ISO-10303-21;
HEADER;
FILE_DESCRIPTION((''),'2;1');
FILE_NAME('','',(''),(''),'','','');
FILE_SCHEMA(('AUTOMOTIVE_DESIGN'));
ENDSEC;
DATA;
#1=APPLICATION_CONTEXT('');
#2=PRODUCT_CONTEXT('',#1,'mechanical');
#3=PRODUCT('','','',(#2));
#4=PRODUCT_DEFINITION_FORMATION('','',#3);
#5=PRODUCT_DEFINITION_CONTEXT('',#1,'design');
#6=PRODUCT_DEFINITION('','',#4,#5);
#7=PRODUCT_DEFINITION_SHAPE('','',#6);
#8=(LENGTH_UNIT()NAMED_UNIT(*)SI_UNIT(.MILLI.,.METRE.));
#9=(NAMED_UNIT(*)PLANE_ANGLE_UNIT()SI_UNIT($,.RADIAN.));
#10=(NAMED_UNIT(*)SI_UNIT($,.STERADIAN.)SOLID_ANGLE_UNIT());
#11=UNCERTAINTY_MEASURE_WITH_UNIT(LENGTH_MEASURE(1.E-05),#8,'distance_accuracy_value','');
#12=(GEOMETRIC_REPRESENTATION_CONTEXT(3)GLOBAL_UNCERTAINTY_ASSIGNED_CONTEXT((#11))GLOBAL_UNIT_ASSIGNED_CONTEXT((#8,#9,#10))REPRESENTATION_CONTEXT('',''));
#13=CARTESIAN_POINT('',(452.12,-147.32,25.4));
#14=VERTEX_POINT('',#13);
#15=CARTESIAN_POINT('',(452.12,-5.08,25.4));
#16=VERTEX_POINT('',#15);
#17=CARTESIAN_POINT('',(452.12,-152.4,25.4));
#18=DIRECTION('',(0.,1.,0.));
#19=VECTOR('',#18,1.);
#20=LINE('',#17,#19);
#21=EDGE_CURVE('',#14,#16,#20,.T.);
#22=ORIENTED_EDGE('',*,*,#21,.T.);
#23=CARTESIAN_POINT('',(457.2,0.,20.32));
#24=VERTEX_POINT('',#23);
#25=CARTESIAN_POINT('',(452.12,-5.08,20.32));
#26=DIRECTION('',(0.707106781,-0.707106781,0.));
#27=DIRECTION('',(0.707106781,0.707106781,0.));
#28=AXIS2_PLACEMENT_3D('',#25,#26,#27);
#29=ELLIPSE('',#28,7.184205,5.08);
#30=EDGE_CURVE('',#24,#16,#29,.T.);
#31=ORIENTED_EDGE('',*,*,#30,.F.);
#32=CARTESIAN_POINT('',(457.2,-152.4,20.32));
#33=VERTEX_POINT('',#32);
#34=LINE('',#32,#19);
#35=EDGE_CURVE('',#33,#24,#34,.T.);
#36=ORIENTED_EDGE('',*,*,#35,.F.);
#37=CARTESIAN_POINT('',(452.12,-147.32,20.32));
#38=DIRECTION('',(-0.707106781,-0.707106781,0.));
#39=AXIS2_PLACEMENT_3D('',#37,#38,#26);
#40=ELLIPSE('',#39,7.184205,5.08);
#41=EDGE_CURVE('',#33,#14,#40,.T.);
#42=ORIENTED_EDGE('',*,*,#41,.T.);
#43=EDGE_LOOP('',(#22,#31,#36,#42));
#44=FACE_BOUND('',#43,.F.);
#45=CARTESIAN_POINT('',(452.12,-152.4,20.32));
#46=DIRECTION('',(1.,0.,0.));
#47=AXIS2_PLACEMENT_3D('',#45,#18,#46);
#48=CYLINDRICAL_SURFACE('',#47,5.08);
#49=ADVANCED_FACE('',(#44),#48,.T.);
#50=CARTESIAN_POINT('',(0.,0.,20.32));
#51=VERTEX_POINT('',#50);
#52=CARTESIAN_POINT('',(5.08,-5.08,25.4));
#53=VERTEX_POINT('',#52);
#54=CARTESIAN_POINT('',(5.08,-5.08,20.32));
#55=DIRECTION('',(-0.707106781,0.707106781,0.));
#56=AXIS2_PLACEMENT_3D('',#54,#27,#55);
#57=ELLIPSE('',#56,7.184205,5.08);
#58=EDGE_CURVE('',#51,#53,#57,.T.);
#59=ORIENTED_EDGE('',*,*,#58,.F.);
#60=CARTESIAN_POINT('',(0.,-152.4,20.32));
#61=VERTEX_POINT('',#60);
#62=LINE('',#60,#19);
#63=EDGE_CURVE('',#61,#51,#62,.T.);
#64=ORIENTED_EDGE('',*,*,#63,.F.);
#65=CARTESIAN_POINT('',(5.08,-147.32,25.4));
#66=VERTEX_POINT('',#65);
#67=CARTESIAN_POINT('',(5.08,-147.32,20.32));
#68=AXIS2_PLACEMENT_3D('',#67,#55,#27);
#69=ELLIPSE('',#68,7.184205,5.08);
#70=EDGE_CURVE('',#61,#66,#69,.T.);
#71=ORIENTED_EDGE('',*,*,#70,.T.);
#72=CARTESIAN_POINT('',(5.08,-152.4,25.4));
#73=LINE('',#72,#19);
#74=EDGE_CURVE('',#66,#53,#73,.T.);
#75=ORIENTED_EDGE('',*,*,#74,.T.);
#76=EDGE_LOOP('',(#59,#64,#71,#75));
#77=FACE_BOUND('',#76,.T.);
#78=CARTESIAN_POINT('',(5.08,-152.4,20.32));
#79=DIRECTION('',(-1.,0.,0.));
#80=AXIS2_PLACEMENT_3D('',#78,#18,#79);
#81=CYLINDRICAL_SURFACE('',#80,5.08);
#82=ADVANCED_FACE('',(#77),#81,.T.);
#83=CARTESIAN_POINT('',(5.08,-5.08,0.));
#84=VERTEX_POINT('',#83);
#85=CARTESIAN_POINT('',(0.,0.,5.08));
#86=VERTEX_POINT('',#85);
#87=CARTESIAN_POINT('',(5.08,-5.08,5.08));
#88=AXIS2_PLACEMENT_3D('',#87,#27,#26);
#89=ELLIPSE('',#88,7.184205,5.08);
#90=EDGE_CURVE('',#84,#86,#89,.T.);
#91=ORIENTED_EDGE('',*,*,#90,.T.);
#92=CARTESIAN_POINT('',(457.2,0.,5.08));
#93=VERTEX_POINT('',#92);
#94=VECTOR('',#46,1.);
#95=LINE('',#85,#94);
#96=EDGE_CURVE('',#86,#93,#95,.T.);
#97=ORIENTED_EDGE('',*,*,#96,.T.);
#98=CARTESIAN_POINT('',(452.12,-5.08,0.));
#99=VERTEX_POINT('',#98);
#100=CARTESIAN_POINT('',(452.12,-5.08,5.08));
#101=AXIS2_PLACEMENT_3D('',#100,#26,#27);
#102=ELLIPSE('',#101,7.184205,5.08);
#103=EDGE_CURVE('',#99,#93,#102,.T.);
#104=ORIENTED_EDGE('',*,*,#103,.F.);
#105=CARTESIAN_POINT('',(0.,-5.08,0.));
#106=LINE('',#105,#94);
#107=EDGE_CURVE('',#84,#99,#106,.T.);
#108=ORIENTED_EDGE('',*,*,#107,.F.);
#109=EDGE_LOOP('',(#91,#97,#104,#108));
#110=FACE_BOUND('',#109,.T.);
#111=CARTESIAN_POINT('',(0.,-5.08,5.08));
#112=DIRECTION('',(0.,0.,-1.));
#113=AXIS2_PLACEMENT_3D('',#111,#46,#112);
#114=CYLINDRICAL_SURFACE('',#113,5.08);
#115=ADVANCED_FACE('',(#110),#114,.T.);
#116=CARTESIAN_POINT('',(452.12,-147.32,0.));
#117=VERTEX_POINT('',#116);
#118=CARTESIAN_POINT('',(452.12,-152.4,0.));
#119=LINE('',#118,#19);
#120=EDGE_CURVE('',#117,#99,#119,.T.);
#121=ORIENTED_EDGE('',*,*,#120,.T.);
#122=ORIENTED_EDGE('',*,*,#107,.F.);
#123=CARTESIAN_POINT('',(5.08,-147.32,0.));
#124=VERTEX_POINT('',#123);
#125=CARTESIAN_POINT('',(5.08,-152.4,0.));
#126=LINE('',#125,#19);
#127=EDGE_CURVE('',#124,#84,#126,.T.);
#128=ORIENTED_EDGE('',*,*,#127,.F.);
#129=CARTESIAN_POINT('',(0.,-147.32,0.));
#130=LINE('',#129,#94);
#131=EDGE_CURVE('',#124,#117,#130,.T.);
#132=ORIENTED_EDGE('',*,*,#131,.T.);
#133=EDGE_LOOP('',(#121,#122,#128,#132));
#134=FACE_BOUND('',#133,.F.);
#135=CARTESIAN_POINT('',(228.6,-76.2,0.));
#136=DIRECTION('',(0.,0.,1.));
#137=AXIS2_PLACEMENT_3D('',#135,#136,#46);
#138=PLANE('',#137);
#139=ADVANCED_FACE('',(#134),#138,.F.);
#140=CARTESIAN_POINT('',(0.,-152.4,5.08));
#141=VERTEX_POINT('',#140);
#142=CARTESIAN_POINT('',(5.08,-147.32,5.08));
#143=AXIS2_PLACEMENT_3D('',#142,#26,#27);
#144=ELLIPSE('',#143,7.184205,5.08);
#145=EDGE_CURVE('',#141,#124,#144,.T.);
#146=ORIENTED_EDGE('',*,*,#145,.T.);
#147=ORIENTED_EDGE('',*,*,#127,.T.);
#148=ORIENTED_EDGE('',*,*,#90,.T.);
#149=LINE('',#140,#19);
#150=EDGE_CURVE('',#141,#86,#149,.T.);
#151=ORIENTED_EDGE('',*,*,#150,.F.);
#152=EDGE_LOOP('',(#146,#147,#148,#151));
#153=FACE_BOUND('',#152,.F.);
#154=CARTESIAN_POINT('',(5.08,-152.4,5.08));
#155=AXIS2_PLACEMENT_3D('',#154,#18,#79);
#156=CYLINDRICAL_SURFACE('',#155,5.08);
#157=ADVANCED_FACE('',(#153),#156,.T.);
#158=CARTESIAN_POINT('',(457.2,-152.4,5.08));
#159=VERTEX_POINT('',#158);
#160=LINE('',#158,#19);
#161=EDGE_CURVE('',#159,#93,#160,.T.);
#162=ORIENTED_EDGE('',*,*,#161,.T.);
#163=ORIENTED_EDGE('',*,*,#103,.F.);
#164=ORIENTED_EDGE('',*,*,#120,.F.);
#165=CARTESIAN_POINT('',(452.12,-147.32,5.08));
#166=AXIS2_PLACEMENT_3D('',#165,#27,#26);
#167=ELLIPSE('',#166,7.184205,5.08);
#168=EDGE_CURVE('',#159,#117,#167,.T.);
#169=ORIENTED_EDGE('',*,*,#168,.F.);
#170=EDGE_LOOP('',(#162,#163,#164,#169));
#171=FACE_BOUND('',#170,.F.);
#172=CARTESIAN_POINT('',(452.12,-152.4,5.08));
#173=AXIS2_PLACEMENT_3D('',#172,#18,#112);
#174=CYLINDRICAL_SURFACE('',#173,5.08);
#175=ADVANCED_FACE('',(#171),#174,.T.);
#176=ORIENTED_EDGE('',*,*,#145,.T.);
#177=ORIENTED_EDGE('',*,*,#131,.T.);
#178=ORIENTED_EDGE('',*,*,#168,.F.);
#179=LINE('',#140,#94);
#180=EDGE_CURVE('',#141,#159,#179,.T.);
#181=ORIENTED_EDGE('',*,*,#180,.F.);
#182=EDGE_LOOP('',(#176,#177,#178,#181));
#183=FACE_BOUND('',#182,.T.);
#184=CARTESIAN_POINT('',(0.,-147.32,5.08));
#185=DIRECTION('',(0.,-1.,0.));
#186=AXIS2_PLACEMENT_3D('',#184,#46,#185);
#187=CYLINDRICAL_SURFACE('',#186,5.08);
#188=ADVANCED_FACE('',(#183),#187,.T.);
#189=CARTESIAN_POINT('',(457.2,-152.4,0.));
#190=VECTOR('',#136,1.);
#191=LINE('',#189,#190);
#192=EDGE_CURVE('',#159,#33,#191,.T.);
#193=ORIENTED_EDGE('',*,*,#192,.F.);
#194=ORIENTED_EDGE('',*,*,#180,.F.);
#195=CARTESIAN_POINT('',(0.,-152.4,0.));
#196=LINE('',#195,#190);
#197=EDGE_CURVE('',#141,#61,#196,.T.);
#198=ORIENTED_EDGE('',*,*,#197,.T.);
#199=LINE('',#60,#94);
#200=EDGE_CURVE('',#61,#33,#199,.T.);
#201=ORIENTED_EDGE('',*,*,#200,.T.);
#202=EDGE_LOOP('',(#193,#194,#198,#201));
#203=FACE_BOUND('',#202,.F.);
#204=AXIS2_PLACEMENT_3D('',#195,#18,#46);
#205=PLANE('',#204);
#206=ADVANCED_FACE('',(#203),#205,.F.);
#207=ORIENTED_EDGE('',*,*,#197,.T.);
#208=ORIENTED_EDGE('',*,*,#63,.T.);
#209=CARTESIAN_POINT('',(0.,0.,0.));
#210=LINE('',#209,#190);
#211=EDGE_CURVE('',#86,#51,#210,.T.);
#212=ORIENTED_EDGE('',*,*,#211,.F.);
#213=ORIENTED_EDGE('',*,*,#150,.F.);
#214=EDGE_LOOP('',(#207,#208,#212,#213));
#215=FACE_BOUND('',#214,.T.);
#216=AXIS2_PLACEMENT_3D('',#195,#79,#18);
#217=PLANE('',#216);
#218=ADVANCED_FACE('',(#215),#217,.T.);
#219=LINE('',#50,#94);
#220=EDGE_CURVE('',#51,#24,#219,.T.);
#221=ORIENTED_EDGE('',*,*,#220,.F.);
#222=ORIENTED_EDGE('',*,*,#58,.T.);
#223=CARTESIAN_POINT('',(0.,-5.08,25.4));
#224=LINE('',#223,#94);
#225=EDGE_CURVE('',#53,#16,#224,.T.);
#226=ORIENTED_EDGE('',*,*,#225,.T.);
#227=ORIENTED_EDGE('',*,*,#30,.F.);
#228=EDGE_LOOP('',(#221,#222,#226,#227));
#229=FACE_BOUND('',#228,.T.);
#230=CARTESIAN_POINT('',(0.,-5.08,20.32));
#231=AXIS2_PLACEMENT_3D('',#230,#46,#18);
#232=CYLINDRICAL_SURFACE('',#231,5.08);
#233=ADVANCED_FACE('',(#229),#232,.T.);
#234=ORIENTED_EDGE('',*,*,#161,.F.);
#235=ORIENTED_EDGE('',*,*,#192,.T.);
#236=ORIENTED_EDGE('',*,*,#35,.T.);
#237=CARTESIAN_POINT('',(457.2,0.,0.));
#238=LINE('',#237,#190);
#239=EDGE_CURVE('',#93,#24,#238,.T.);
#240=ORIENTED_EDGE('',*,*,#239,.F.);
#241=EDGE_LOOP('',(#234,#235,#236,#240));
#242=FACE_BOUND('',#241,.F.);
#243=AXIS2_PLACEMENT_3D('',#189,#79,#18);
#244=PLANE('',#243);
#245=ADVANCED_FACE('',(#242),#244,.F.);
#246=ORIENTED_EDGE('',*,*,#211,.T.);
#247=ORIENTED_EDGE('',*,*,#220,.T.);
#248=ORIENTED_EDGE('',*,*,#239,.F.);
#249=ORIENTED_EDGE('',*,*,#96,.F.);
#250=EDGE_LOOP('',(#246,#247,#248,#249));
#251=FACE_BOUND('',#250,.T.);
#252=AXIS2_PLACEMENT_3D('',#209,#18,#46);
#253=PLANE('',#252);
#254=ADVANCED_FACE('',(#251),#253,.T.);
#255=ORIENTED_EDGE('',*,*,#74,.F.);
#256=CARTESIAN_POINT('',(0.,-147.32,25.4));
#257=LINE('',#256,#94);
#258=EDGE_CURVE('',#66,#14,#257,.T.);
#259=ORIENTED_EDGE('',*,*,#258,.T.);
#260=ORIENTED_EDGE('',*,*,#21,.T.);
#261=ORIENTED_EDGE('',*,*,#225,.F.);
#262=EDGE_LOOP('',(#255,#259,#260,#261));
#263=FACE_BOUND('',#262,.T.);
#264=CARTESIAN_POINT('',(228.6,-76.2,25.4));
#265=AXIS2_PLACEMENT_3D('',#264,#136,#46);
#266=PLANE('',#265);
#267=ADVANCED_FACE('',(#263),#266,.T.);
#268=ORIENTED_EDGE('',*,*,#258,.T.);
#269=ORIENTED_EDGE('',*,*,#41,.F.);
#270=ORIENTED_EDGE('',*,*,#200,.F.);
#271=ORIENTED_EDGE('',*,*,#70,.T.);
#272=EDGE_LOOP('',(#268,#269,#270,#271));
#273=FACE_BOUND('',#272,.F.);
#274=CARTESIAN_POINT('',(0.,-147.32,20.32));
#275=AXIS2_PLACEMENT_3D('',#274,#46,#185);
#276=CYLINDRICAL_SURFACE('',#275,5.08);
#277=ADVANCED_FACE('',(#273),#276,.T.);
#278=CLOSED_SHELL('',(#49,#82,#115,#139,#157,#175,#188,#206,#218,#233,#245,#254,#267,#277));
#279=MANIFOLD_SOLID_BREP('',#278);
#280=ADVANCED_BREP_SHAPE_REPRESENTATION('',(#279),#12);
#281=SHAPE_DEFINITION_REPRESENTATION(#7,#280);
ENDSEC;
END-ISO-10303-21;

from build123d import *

# Parameters (mm, degrees)
F0_W     = 457.2
F0_H     = 152.4
F1_DEPTH = 25.4
F2_R     = 5.08
F3_R     = 5.08


with BuildPart() as f1:
    # F0 (on Top) → F1 (new body)
    with BuildSketch(Plane.XY):
        with Locations((228.6, -76.2)):
            Rectangle(F0_W, F0_H)
    extrude(amount=F1_DEPTH)

    # F2
    f2_edges = [f1.edges().sort_by_distance(p)[0] for p in [
        (0, -76.2, 25.4),
        (228.6, -152.4, 25.4),
        (228.6, 0, 25.4),
        (457.2, -76.2, 25.4),
    ]]
    fillet(f2_edges, radius=F2_R)

    # F3
    f3_edges = [f1.edges().sort_by_distance(p)[0] for p in [
        (228.6, -152.4, 0),
        (457.2, -76.2, 0),
        (228.6, 0, 0),
        (0, -76.2, 0),
    ]]
    fillet(f3_edges, radius=F3_R)


solid = f1.part
